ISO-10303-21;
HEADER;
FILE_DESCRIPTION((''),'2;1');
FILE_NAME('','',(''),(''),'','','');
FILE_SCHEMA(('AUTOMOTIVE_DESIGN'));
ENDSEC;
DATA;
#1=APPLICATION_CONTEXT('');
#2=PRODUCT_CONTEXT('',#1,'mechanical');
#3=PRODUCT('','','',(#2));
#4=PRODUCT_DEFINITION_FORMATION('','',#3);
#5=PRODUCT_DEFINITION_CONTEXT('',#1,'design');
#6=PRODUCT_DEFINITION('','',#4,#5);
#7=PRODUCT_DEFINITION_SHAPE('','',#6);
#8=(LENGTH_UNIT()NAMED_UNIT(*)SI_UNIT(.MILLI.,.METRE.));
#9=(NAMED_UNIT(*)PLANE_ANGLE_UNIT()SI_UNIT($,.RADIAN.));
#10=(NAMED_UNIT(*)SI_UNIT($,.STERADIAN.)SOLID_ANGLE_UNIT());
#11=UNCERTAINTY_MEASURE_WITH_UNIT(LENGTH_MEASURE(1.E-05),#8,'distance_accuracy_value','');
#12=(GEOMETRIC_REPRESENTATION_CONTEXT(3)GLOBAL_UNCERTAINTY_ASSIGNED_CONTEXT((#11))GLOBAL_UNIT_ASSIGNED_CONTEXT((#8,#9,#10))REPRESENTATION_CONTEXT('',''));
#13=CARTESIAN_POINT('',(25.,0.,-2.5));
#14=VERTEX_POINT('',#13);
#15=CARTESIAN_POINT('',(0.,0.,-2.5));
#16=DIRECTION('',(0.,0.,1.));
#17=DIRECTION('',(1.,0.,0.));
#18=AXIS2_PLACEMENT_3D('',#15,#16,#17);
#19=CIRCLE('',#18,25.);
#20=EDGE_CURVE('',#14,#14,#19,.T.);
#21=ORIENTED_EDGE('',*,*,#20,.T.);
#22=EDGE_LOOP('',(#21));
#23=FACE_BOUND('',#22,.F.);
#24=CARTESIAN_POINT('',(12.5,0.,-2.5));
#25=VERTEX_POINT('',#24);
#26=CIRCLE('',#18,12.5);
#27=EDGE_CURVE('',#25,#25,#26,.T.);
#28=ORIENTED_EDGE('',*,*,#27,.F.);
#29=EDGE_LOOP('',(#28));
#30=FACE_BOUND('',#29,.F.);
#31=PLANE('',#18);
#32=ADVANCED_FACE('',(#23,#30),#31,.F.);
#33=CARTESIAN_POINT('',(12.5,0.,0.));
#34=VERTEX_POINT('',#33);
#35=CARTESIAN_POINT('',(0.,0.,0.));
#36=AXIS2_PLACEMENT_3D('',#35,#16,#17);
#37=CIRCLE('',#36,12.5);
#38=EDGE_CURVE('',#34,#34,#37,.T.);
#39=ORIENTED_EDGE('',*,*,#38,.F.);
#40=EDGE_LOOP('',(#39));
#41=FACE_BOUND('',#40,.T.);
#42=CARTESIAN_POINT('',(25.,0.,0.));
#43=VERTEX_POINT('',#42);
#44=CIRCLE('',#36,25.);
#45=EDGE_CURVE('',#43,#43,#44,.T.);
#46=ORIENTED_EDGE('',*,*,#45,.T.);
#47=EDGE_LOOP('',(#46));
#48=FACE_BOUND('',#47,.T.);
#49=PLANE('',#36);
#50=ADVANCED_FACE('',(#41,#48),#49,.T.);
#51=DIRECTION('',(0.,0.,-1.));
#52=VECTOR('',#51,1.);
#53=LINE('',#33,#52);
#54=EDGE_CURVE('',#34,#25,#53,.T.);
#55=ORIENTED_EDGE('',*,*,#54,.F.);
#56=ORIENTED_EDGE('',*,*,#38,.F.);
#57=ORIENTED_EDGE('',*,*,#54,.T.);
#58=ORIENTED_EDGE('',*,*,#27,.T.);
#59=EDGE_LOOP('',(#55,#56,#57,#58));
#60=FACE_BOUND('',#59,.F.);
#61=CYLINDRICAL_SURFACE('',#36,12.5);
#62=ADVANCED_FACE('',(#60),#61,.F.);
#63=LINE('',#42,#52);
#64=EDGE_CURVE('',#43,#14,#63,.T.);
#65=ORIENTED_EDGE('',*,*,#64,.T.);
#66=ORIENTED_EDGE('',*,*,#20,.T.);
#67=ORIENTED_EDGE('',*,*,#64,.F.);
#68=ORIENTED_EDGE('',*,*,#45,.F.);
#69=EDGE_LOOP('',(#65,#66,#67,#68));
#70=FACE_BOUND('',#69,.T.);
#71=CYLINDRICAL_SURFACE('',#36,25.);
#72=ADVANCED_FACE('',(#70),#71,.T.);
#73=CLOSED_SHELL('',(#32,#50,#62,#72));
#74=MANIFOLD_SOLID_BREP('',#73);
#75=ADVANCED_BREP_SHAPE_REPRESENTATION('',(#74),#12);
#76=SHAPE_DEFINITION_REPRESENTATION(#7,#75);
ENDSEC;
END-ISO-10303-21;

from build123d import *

# Parameters (mm, degrees)
F0_R     = 25
F0_R_2   = 12.5
F1_DEPTH = 2.5


with BuildPart() as f1:
    # F0 (on Top) → F1 (new body)
    with BuildSketch(Plane.XY):
        Circle(F0_R)
        Circle(F0_R_2, mode=Mode.SUBTRACT)
    extrude(amount=-F1_DEPTH)


solid = f1.part
